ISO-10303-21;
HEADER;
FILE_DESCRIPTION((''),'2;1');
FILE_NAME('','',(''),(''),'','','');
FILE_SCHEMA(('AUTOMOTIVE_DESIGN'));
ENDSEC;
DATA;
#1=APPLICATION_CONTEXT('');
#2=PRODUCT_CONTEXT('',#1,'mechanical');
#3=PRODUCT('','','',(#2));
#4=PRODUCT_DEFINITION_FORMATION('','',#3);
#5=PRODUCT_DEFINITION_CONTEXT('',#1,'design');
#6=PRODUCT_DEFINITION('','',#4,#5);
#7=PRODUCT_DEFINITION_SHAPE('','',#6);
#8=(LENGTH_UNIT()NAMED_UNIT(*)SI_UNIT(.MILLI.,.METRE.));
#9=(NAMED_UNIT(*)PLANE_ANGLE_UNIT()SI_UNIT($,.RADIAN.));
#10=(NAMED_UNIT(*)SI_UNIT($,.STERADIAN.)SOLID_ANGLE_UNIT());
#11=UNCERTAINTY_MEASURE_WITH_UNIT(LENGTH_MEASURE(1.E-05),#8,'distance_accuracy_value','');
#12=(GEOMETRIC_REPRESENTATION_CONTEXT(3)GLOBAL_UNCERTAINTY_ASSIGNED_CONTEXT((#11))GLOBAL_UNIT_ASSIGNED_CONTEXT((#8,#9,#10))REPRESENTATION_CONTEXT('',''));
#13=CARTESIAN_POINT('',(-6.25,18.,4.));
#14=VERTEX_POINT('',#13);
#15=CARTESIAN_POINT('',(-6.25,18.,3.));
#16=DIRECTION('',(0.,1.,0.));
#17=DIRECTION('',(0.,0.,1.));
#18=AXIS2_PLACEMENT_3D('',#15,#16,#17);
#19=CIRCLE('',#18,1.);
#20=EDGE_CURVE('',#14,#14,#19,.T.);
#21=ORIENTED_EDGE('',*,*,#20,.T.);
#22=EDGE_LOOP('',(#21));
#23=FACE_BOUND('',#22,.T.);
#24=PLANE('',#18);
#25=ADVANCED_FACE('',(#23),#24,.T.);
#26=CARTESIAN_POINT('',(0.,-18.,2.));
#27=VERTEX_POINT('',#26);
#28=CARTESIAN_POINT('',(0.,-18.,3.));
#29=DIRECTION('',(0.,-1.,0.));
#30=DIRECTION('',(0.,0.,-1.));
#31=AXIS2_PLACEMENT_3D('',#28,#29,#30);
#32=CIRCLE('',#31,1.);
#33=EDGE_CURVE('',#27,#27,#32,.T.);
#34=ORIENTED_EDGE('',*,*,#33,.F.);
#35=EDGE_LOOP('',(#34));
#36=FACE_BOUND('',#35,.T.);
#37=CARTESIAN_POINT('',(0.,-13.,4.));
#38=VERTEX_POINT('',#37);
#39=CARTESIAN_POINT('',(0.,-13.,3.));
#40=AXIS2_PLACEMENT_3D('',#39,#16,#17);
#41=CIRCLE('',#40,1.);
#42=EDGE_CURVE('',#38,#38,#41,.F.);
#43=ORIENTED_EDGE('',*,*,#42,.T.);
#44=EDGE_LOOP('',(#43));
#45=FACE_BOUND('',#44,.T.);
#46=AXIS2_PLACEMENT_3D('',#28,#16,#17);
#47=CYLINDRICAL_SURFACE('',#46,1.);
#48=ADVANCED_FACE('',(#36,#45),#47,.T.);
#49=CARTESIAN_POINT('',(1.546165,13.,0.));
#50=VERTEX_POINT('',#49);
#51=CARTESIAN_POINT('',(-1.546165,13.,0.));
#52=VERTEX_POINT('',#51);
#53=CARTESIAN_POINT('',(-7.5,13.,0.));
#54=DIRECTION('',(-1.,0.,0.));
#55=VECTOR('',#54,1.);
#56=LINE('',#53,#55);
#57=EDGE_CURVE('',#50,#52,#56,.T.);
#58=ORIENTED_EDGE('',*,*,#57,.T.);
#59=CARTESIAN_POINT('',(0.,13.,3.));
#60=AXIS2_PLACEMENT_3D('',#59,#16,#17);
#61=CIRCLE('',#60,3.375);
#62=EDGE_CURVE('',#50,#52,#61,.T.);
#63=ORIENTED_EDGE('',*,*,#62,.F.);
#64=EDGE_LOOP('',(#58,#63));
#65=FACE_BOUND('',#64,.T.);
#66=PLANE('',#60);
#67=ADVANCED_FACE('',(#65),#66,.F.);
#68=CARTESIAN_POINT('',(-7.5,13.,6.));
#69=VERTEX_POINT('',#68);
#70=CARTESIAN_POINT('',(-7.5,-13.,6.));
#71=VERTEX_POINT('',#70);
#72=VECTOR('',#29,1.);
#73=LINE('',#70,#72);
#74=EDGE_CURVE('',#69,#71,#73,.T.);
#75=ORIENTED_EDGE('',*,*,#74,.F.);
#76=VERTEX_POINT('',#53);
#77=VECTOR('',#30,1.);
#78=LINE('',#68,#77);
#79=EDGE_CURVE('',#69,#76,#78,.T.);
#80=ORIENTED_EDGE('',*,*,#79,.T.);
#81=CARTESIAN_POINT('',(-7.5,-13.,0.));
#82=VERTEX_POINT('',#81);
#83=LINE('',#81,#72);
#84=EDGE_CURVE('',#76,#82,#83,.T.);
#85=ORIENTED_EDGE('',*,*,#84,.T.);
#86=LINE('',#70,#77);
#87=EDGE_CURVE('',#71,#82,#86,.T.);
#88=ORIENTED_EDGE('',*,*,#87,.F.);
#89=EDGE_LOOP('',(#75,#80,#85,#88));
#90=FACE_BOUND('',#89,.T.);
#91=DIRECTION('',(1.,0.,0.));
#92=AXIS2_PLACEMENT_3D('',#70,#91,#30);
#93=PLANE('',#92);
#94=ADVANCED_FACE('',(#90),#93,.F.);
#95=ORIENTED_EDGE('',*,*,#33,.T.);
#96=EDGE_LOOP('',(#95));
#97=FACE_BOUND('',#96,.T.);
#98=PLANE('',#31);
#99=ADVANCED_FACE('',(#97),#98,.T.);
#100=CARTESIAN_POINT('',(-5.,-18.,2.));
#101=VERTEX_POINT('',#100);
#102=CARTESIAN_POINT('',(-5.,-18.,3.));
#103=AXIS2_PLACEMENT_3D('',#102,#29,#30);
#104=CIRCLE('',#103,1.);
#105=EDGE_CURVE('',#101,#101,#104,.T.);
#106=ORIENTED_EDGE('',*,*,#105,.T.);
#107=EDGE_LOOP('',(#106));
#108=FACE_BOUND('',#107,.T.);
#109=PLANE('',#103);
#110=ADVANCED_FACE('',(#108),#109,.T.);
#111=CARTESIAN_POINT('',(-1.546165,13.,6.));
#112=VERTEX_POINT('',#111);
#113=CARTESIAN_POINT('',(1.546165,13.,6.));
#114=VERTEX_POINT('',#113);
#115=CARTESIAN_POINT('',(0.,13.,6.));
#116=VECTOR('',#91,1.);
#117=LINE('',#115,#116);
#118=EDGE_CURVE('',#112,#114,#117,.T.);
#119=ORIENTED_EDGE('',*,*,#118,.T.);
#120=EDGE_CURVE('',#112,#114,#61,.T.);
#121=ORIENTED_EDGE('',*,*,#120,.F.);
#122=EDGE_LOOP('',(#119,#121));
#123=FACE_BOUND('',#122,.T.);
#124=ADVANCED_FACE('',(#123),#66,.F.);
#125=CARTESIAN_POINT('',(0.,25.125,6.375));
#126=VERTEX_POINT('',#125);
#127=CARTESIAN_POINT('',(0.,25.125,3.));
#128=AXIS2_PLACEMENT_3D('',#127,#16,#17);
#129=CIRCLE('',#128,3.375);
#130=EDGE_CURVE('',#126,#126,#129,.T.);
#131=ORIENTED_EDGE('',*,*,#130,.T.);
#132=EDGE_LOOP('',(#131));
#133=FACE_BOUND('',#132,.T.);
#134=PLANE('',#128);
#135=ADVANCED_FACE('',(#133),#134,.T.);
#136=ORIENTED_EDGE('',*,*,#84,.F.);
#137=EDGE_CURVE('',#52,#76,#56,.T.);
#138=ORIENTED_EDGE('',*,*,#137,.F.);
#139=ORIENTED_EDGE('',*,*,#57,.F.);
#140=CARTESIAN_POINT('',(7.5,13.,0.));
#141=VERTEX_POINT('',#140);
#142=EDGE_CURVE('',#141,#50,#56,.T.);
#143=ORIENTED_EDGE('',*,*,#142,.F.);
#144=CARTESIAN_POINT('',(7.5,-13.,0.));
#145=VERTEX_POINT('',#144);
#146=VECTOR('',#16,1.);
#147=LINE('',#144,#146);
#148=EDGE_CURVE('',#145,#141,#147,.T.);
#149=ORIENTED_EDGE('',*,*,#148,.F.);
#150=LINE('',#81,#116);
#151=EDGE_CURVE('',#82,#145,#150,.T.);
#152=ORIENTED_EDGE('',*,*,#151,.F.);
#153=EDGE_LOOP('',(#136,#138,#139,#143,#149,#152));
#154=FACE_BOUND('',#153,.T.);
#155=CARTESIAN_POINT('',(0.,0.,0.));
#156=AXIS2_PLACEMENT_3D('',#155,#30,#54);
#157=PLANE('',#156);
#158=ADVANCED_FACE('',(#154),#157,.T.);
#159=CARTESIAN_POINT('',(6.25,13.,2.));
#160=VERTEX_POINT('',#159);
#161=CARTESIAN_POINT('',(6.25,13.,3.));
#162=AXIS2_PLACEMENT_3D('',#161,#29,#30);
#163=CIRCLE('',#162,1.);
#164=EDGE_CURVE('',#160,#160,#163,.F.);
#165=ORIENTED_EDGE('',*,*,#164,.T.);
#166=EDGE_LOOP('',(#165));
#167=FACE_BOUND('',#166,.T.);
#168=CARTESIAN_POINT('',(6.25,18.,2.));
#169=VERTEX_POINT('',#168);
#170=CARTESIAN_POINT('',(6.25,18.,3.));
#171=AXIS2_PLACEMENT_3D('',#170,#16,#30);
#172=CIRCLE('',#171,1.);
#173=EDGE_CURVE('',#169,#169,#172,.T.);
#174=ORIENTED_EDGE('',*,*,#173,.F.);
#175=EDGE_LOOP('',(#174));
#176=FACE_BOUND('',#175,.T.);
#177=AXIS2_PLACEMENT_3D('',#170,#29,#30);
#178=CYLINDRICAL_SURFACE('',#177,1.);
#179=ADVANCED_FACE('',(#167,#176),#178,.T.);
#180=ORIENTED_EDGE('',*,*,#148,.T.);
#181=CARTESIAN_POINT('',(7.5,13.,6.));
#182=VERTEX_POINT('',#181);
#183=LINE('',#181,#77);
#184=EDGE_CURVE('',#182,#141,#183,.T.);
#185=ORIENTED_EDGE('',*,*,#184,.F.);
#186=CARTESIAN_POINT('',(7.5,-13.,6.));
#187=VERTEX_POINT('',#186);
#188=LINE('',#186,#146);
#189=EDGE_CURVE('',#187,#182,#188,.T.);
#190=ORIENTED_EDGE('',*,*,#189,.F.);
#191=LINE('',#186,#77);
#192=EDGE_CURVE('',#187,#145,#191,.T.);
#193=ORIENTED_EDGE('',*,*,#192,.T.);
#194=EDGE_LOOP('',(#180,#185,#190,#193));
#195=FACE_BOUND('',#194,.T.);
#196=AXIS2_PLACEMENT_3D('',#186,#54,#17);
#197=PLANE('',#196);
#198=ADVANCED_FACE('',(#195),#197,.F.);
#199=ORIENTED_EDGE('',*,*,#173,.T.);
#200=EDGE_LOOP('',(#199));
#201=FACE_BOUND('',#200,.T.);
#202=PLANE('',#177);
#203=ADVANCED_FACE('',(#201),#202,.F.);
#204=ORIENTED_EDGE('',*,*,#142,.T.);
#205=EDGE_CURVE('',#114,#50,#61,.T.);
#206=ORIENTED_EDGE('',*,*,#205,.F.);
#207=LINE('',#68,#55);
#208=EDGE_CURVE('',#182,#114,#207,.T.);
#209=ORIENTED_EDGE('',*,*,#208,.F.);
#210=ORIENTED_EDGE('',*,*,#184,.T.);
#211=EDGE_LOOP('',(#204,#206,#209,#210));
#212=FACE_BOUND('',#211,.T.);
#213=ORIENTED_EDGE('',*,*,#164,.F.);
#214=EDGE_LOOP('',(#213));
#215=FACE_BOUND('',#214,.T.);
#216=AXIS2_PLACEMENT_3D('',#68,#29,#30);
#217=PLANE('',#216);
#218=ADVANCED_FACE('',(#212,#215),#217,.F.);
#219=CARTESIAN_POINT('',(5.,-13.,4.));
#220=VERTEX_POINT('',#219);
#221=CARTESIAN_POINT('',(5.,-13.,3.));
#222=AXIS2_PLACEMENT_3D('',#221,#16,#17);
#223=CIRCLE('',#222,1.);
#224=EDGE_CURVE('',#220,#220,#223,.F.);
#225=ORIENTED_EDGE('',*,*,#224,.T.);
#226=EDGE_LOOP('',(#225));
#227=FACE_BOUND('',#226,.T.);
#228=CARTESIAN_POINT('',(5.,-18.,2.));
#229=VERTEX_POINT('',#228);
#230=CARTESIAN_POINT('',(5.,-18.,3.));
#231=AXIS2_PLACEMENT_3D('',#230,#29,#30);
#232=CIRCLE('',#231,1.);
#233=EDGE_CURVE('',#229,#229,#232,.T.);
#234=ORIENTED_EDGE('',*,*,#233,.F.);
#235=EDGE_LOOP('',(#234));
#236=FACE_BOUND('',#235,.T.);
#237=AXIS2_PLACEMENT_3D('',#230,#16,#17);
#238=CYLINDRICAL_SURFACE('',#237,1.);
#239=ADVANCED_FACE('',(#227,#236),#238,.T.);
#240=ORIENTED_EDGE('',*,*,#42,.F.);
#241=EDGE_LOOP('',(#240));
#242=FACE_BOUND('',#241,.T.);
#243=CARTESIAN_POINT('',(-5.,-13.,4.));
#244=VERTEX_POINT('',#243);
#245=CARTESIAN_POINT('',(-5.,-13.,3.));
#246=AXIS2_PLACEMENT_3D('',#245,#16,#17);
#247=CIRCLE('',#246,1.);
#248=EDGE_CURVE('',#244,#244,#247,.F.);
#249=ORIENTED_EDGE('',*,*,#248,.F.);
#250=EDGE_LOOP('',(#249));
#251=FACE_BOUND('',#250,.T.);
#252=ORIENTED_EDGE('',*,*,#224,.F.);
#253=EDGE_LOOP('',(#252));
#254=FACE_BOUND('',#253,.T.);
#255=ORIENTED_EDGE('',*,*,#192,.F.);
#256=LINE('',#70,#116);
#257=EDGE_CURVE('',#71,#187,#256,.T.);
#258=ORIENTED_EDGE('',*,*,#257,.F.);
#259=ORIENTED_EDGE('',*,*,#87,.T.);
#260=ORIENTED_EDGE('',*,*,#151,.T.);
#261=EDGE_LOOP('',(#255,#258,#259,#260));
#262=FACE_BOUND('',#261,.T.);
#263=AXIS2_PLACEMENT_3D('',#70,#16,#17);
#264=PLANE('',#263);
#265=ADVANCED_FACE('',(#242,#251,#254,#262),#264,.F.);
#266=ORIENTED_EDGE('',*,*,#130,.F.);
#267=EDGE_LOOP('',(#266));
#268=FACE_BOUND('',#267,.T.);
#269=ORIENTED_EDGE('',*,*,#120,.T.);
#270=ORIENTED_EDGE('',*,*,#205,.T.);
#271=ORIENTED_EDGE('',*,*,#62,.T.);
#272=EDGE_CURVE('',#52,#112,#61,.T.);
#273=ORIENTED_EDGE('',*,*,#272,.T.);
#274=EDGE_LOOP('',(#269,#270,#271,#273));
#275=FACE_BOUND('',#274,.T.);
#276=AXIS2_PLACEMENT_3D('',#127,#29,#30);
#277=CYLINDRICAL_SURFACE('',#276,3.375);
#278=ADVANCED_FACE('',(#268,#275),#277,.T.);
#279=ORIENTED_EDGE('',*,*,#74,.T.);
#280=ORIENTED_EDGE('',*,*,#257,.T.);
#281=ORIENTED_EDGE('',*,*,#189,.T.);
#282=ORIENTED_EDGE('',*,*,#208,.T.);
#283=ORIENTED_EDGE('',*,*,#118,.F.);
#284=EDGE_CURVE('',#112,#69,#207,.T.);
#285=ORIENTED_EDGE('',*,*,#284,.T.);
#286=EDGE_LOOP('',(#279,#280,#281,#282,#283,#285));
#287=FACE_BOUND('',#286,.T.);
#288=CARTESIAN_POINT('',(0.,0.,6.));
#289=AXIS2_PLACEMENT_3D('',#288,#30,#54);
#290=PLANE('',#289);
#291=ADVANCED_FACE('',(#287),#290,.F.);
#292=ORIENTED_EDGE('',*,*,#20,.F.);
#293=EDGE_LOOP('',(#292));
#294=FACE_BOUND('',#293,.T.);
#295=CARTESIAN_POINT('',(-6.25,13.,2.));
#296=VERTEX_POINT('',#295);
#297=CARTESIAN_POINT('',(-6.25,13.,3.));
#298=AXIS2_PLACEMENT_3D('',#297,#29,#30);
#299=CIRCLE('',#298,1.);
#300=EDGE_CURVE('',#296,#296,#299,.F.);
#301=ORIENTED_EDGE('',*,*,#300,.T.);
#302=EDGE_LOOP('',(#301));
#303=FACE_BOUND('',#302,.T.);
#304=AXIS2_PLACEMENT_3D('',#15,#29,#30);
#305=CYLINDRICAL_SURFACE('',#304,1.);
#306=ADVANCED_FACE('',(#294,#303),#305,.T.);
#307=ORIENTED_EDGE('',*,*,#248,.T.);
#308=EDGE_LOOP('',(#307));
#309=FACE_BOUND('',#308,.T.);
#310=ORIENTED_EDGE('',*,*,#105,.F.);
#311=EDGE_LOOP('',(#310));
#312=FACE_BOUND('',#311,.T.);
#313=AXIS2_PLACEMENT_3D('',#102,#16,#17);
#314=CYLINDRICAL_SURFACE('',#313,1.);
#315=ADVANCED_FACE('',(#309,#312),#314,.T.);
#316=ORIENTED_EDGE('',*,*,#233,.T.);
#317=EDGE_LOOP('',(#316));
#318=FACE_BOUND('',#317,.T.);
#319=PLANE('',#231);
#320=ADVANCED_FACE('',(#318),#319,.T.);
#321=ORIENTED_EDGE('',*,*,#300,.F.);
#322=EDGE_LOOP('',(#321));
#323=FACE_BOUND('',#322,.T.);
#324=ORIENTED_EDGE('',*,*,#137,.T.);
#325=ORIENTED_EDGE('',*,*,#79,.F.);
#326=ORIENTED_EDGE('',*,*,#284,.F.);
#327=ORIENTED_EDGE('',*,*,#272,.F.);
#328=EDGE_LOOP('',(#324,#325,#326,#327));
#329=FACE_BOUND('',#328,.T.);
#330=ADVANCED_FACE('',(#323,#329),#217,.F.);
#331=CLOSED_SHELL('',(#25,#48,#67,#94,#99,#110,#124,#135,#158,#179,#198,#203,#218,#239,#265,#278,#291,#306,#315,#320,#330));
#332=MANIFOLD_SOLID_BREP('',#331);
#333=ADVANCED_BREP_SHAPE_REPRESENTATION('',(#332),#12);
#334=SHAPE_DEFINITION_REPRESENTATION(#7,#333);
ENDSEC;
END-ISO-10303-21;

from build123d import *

# Parameters (mm, degrees)
SKETCH1_W           = 15
SKETCH1_H           = 26
BOSS_EXTRUDE1_DEPTH = 6
SKETCH2_R           = 1
BOSS_EXTRUDE2_DEPTH = 5
SKETCH3_R           = 1
BOSS_EXTRUDE3_DEPTH = 5
SKETCH5_R           = 3.375
BOSS_EXTRUDE4_DEPTH = 12.125


with BuildPart() as part:
    # Sketch1 → Boss-Extrude1 (new body)
    with BuildSketch(Plane.XY):
        Rectangle(SKETCH1_W, SKETCH1_H)
    extrude(amount=BOSS_EXTRUDE1_DEPTH)

    # Sketch2 → Boss-Extrude2 (add)
    with BuildSketch(Plane(origin=(0, 13, 0), x_dir=(1, 0, 0), z_dir=(0, 1, 0))):
        with Locations(Location((-6.25, -3, 0), (0, 0, 90))):
            Circle(SKETCH2_R)
        with Locations(Location((6.25, -3, 0), (0, 0, 90))):
            Circle(SKETCH2_R)
    extrude(amount=BOSS_EXTRUDE2_DEPTH)

    # Sketch3 → Boss-Extrude3 (add)
    with BuildSketch(Plane.XZ.offset(13)):
        with Locations(Location((0, 3, 0), (0, 0, 90))):
            Circle(SKETCH3_R)
        with Locations(Location((5, 3, 0), (0, 0, 90))):
            Circle(SKETCH3_R)
        with Locations(Location((-5, 3, 0), (0, 0, 90))):
            Circle(SKETCH3_R)
    extrude(amount=BOSS_EXTRUDE3_DEPTH)

    # Sketch5 → Boss-Extrude4 (add)
    with BuildSketch(Plane(origin=(0, 13, 0), x_dir=(1, 0, 0), z_dir=(0, 1, 0))):
        with Locations(Location((0, -3, 0), (0, 0, 62.733955549))):
            Circle(SKETCH5_R)
    extrude(amount=BOSS_EXTRUDE4_DEPTH)


solid = part.part
